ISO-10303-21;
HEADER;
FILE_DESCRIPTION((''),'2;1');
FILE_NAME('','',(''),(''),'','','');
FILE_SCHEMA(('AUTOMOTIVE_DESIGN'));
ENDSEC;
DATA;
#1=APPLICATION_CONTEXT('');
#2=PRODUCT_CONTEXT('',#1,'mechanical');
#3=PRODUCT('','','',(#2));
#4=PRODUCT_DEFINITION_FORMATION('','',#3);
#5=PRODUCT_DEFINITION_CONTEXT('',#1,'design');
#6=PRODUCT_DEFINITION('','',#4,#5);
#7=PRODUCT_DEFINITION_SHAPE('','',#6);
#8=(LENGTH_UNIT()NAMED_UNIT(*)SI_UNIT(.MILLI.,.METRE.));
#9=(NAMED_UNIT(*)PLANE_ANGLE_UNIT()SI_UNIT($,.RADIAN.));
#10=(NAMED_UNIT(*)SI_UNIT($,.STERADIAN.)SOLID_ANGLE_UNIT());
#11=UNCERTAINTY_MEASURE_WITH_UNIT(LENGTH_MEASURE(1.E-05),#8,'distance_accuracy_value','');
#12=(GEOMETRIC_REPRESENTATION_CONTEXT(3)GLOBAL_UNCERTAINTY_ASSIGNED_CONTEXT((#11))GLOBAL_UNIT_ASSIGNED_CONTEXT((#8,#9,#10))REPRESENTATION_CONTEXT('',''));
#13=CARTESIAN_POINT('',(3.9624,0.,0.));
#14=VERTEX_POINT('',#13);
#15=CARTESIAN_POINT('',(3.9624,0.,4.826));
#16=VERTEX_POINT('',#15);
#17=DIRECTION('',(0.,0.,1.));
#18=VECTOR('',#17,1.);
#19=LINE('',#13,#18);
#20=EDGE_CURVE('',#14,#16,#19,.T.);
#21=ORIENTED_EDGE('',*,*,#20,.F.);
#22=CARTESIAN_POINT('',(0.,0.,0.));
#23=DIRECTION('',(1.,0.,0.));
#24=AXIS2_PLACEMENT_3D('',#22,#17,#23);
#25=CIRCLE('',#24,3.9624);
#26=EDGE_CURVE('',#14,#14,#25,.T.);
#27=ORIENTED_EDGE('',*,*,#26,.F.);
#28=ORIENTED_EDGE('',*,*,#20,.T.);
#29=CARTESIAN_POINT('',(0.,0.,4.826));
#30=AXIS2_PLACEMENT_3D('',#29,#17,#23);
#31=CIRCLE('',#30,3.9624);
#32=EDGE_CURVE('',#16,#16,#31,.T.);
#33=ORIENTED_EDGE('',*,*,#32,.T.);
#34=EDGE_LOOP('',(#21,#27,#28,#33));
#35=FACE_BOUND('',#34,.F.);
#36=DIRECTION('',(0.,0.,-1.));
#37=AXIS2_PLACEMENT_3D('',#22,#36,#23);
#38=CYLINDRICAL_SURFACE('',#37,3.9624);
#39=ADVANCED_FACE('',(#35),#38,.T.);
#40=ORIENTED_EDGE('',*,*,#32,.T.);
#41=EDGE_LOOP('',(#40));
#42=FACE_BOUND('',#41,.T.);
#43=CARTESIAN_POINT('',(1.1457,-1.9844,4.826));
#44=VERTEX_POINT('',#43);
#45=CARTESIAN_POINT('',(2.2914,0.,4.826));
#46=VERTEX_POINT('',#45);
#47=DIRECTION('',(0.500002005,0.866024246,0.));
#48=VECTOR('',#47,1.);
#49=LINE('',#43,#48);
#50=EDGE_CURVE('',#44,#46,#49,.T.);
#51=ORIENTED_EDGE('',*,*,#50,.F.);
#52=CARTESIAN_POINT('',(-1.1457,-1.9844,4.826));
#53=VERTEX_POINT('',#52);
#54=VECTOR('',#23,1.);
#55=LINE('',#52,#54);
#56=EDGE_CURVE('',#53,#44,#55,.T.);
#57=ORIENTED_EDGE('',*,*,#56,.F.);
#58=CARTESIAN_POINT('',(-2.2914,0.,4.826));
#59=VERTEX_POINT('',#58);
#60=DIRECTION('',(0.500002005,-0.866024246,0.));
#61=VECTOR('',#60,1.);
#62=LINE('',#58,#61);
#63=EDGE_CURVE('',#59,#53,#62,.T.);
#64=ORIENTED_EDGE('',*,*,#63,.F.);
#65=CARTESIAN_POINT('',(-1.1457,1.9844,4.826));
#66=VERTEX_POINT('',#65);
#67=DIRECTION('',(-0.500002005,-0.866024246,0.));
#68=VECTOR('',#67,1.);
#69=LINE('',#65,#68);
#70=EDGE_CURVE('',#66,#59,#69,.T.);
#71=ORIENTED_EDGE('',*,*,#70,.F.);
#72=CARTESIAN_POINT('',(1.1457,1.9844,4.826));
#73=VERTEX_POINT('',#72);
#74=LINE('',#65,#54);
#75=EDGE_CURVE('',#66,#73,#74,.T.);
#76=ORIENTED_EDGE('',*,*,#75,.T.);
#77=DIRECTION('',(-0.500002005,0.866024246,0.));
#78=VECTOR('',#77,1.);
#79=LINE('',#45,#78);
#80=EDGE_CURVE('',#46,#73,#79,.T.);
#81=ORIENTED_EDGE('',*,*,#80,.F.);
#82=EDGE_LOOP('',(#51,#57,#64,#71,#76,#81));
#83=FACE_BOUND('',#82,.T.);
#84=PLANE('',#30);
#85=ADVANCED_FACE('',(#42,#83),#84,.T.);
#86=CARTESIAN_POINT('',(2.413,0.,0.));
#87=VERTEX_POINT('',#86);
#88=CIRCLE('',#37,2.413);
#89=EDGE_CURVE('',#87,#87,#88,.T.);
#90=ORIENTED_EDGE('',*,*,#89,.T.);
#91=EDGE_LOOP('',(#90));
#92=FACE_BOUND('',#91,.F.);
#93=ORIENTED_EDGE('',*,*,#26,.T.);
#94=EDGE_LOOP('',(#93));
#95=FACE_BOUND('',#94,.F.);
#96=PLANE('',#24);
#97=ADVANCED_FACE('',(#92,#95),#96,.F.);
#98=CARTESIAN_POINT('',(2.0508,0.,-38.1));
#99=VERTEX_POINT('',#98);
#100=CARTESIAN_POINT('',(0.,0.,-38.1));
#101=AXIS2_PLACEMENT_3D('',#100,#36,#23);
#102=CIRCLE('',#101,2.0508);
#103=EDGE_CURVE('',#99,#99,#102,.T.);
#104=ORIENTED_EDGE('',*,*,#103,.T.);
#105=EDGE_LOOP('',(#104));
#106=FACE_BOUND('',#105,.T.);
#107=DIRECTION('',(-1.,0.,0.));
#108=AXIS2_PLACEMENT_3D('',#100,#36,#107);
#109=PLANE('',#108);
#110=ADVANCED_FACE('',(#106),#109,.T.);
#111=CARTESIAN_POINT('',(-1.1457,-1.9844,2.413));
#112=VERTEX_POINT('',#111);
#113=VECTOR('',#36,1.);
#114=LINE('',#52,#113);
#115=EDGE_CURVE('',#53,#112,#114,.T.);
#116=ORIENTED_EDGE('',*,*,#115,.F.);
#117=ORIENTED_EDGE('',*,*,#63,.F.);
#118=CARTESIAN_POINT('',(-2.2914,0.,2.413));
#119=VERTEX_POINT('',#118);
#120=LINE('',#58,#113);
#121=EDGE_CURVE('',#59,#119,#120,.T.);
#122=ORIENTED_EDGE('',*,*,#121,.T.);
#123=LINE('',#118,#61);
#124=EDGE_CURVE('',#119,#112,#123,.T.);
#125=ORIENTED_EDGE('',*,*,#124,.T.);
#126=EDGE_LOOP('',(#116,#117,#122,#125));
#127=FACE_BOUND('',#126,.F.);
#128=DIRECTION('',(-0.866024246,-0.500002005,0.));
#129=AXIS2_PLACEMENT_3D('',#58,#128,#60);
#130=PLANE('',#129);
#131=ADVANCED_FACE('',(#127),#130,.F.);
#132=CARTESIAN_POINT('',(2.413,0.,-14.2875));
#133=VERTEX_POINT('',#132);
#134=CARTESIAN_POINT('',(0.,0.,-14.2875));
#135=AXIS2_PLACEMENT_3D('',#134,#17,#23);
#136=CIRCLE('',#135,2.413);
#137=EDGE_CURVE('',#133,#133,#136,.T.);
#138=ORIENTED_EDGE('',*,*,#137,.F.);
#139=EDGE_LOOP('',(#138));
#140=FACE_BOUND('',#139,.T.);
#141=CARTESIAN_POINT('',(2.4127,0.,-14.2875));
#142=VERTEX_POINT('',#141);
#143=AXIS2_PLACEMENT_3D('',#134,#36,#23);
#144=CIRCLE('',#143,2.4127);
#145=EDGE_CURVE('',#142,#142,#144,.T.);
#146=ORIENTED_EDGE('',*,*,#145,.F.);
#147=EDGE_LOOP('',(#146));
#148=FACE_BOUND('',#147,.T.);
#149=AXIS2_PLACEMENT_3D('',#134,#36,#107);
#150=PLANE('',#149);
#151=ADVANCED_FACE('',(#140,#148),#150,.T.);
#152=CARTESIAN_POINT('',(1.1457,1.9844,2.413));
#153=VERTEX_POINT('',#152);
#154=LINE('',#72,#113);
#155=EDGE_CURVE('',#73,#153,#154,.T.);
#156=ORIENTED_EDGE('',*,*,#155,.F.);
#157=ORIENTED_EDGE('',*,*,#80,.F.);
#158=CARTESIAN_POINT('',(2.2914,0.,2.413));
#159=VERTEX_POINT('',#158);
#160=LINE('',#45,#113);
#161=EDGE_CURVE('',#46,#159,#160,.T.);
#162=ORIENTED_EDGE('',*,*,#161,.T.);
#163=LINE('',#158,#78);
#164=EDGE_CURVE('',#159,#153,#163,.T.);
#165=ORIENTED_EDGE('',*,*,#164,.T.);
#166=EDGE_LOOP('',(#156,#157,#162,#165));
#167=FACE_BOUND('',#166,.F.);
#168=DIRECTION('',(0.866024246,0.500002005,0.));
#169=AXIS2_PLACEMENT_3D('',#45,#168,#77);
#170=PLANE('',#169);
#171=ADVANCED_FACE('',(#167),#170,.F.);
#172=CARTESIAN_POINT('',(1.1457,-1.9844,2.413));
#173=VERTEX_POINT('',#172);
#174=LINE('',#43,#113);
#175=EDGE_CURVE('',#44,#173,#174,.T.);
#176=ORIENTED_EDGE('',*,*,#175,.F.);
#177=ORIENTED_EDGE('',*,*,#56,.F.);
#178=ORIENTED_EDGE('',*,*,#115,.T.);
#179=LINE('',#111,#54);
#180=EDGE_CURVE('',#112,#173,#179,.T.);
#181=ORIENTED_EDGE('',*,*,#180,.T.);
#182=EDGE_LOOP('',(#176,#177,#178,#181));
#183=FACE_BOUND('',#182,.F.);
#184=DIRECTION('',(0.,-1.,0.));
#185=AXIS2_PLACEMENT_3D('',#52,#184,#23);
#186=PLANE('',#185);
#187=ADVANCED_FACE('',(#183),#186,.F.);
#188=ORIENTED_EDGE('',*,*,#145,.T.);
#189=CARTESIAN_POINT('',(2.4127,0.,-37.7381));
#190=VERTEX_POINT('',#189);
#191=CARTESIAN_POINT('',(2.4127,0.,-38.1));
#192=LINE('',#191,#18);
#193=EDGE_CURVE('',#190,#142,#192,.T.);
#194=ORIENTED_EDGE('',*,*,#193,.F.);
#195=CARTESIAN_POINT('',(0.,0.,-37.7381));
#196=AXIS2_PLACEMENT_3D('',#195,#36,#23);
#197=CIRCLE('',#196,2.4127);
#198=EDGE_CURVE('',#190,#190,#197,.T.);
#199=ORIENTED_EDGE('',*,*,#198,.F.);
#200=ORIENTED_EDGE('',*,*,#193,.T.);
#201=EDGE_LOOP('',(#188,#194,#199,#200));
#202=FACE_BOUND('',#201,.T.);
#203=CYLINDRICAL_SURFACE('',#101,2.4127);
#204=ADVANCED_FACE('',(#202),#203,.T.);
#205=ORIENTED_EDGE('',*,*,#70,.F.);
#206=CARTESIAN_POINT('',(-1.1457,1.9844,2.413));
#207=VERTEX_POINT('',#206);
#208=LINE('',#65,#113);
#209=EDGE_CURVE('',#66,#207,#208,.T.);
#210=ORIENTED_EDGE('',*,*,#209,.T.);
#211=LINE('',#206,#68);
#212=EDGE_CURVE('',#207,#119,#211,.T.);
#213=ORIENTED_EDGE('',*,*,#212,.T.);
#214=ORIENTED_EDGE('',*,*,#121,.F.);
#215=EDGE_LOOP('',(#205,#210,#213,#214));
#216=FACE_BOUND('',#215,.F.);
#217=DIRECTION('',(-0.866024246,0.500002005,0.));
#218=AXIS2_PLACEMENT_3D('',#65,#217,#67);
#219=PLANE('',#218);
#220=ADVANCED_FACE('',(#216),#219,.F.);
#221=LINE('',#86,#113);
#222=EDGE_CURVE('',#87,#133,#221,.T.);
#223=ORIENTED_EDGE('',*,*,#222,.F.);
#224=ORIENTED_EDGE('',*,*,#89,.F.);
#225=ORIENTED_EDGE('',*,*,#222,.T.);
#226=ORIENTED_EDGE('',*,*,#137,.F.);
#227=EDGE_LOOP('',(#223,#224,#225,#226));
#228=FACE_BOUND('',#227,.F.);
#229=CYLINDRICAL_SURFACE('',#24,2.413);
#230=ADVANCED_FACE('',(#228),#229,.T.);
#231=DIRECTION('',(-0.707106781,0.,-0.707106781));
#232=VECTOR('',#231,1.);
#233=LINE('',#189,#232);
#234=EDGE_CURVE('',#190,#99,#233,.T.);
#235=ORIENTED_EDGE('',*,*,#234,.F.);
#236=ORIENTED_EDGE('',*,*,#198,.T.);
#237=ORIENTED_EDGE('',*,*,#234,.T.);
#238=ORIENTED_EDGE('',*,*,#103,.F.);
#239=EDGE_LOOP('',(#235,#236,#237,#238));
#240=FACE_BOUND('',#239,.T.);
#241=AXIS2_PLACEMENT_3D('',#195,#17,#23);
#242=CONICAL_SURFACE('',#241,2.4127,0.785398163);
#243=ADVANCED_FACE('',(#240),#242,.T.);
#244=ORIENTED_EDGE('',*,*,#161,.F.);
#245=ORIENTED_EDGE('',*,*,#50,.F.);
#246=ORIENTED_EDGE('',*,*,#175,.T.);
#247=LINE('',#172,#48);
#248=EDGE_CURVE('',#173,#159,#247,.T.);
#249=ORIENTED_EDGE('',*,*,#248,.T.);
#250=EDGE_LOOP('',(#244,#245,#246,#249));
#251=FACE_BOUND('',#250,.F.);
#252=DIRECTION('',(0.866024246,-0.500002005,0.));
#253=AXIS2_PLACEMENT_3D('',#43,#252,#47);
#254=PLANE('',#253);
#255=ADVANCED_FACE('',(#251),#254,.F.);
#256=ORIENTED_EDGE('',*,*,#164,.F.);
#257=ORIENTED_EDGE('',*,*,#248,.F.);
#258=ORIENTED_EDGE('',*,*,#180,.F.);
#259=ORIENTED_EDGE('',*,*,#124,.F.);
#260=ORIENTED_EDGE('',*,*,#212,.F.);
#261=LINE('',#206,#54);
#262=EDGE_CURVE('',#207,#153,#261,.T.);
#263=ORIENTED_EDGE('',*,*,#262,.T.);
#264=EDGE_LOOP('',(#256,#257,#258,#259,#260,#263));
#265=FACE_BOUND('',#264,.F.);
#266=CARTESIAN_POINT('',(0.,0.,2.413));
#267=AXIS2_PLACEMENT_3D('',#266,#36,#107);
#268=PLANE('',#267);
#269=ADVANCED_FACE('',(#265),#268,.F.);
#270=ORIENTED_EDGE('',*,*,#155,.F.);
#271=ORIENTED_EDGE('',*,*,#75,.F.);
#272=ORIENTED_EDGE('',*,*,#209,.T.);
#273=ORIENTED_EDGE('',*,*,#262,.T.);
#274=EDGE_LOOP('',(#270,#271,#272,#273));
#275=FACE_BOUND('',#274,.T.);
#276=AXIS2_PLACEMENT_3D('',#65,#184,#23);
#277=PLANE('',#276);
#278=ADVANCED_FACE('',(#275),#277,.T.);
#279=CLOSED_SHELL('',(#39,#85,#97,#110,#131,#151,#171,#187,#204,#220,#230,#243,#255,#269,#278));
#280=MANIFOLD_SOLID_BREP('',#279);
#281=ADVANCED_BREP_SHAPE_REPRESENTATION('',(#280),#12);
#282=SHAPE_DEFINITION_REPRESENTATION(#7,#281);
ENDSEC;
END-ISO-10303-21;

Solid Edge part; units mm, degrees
sketch "Sketch1" plane through (0, 0, 0) normal (0, 0, 1) x (1, 0, 0)
  circle A0 centre (0, 0) radius 3.9624
  dimension "D1" = 7.9248
extrude "Protrusion1" add sketch "Sketch1" along normal blind 4.826
sketch "Sketch2" plane through (0, 0, 0) normal (0, 0, -1) x (1, 0, 0)
  circle A0 centre (0, 0) radius 2.413
extrude "Protrusion2" add sketch "Sketch2" along normal blind 38.1
sketch "Sketch3" plane through (0, 0, -38.1) normal (0, 0, -1) x (1, 0, 0)
  circle A0 centre (0, 0) radius 2.4127
extrude "Cutout1" cut sketch "Sketch3" against normal blind 23.8125 flip side to cut
chamfer "Chamfer_1" distance 0.3619 angle 45 1 edges at (-2.4127, 0, -38.1)
sketch "Sketch4" plane through (0, 0, 4.826) normal (0, 0, 1) x (1, 0, 0)
  line L0 (-1.1457, 1.9844) -> (1.1457, 1.9844)
  line L1 (2.2914, 0) -> (1.1457, 1.9844)
  line L2 (1.1457, -1.9844) -> (2.2914, 0)
  line L3 (-1.1457, -1.9844) -> (1.1457, -1.9844)
  line L4 (-2.2914, 0) -> (-1.1457, -1.9844)
  line L5 (-1.1457, 1.9844) -> (-2.2914, 0)
  dimension "D1" = 3.9688
extrude "Cutout2" cut sketch "Sketch4" against normal blind 2.413
properties part number "24102147"
